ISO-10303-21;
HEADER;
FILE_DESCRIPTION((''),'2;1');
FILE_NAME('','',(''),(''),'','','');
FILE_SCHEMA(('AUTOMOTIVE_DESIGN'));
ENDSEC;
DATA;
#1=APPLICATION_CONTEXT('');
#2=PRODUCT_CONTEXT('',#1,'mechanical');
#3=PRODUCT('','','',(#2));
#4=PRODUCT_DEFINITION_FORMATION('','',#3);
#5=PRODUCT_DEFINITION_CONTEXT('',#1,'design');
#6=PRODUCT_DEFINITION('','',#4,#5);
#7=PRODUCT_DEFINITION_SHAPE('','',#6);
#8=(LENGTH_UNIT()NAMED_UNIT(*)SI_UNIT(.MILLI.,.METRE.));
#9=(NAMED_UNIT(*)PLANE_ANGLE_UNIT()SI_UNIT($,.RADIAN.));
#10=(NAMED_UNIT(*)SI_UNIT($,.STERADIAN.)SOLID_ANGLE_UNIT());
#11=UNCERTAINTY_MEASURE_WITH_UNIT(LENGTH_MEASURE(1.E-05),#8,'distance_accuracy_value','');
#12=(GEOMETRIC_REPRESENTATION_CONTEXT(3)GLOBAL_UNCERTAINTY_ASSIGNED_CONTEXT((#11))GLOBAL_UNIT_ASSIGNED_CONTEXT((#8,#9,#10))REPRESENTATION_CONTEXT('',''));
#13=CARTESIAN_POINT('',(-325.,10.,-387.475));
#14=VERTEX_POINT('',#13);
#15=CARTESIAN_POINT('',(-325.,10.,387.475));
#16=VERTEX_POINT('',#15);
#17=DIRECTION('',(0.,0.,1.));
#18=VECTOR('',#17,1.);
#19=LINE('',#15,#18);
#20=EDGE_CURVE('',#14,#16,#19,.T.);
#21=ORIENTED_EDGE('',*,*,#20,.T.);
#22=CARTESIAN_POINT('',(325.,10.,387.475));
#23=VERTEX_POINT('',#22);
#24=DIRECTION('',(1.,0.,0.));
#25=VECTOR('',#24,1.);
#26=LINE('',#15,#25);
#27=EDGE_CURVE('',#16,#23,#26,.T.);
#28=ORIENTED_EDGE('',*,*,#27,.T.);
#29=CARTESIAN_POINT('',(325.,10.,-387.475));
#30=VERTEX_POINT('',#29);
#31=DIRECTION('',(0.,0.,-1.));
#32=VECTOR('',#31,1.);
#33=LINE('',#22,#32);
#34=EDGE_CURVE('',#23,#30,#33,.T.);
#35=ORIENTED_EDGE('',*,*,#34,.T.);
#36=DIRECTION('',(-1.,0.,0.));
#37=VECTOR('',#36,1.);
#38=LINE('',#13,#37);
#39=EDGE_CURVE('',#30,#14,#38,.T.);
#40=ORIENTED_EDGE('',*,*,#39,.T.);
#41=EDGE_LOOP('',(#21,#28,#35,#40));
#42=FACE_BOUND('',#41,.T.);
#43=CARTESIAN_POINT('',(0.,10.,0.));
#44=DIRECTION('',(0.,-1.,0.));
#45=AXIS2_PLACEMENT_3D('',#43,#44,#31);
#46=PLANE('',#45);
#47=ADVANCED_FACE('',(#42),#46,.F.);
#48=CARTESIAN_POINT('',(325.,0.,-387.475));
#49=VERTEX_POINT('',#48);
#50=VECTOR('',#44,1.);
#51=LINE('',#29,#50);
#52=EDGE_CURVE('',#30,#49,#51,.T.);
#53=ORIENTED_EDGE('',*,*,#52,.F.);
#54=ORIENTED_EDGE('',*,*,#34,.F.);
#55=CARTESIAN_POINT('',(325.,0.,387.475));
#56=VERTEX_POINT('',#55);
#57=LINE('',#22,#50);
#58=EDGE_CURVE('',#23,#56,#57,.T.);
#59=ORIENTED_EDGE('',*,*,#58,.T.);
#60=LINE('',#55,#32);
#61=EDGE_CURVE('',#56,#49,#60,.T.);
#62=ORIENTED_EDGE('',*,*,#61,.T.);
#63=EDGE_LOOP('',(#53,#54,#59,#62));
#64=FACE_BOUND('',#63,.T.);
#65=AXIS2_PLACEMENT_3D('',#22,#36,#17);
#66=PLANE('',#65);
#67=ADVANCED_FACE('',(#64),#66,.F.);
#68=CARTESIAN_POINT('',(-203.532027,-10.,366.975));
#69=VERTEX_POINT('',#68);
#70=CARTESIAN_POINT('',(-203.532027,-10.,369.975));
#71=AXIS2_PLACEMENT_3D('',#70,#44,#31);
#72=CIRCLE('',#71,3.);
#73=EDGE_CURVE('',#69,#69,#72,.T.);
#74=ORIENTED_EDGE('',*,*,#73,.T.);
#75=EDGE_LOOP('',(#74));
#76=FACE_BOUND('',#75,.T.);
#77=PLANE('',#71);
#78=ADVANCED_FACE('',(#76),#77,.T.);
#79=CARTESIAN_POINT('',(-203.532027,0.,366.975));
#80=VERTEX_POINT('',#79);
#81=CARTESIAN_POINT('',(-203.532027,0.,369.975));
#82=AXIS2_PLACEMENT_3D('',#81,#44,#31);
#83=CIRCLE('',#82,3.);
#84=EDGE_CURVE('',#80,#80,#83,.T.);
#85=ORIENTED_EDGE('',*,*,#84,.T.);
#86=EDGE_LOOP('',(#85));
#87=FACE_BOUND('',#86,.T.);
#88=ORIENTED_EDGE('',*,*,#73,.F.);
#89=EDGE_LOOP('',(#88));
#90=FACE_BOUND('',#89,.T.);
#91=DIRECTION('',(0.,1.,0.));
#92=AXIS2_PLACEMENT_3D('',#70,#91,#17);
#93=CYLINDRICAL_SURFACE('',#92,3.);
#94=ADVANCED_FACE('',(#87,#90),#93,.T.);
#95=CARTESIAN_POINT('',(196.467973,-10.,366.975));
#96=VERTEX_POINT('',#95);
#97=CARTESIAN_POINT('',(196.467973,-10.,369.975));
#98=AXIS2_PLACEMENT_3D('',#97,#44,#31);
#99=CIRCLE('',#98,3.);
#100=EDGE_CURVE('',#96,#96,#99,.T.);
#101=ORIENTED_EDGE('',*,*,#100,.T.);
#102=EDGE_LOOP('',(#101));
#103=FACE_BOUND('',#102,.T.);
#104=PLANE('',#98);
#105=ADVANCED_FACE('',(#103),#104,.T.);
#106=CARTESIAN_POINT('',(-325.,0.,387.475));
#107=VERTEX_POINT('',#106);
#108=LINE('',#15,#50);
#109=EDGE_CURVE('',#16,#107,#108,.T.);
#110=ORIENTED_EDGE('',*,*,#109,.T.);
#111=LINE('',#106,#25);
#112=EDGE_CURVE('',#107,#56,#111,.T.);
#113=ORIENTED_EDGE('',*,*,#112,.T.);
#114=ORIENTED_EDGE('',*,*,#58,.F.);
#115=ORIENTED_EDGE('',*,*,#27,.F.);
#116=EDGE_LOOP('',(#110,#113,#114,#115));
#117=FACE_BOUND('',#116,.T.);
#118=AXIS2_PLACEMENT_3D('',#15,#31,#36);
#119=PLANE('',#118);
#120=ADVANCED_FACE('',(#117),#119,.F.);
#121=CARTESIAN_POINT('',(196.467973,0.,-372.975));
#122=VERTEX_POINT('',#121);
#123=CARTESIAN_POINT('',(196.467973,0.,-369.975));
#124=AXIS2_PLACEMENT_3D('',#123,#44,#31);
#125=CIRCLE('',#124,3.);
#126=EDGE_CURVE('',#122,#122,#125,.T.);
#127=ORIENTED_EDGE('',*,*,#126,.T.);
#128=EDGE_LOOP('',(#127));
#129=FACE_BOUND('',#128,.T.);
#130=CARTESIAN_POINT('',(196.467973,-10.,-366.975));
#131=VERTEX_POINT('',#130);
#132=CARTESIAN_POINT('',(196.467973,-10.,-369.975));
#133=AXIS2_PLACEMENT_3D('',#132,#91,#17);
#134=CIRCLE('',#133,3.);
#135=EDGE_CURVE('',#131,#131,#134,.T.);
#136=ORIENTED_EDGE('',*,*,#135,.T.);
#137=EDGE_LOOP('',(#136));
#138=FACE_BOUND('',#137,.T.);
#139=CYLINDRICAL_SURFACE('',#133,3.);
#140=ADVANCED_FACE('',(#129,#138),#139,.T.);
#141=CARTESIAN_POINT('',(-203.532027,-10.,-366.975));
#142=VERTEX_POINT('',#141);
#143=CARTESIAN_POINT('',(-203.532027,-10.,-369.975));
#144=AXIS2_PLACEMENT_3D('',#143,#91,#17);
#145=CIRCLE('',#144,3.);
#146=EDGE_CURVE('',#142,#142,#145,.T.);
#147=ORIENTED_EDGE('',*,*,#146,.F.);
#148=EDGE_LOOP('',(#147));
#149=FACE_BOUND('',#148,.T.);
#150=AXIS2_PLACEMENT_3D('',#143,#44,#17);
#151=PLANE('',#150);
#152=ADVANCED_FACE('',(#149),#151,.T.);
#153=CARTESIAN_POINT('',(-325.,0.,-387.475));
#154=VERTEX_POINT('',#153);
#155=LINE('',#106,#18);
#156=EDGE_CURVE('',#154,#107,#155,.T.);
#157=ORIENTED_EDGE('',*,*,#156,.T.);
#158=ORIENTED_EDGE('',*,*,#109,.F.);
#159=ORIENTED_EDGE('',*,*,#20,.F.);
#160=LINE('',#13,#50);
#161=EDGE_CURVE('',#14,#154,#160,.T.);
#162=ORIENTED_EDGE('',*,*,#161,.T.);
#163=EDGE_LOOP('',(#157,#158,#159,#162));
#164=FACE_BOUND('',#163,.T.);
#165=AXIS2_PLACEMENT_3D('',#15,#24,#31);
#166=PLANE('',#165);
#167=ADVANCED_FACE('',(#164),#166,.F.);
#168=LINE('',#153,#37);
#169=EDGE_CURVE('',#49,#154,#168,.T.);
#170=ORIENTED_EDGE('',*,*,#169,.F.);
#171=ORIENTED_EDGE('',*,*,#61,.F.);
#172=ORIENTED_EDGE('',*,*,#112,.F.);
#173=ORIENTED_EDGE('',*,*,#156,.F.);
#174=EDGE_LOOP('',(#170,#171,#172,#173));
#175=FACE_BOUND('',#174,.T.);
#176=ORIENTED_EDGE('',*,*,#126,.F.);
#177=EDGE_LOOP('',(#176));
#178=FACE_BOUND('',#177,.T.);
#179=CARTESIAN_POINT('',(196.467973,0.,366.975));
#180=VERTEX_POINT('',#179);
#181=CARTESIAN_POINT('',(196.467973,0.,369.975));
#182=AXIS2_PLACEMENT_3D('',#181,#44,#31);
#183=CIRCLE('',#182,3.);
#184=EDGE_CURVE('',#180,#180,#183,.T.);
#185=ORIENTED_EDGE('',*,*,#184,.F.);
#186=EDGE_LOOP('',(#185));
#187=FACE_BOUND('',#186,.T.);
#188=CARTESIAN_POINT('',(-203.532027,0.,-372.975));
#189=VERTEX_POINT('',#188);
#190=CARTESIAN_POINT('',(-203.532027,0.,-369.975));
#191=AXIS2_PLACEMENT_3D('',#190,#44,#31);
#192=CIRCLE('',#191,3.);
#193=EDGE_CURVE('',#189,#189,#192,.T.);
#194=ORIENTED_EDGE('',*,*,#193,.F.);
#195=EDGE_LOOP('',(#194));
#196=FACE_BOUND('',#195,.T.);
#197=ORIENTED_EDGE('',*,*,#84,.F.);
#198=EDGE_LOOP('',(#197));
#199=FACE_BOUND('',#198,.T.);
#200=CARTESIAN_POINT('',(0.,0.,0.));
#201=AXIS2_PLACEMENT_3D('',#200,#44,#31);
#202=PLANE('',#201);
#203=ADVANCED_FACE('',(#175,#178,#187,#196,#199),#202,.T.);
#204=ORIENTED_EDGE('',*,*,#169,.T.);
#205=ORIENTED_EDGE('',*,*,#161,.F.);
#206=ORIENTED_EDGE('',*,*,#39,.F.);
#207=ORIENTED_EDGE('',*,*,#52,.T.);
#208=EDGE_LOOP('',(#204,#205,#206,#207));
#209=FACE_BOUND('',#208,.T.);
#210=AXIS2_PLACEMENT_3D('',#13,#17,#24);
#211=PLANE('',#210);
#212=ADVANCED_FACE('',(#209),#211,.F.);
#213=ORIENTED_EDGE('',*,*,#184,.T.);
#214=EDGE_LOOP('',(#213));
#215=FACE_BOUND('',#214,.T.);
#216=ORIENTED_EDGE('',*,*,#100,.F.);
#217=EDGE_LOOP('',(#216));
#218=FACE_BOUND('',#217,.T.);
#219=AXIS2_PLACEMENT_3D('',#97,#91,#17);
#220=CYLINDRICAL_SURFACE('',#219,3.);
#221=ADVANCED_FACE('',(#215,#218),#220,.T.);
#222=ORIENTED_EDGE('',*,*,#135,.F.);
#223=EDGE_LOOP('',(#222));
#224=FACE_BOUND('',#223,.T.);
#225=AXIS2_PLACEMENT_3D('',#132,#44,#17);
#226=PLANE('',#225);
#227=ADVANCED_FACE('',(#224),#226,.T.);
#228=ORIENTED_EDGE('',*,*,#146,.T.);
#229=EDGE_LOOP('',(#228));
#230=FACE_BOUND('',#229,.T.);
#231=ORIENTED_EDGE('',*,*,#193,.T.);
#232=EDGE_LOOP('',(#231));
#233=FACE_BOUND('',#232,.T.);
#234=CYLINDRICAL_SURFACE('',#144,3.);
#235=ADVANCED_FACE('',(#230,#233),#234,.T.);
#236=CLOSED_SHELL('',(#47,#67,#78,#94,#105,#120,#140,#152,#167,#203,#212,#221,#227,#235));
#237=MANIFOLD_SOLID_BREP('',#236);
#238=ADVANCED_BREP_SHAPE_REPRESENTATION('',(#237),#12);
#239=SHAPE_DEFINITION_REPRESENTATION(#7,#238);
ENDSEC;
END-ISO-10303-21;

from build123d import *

# Parameters (mm, degrees)
SKETCH1_W           = 650
SKETCH1_H           = 774.95
BOSS_EXTRUDE1_DEPTH = 10
SKETCH2_R           = 3
BOSS_EXTRUDE2_DEPTH = 10


with BuildPart() as part:
    # Sketch1 → Boss-Extrude1 (new body)
    with BuildSketch(Plane(origin=(0, 0, 0), x_dir=(1, 0, 0), z_dir=(0, 1, 0))):
        Rectangle(SKETCH1_W, SKETCH1_H)
    extrude(amount=BOSS_EXTRUDE1_DEPTH)

    # Sketch2 → Boss-Extrude2 (add)
    with BuildSketch(Plane.XZ):
        with Locations(Location((-203.532027454, 369.975, 0), (0, 0, 270))):
            Circle(SKETCH2_R)
        with Locations(Location((196.467972546, 369.975, 0), (0, 0, 270))):
            Circle(SKETCH2_R)
    boss_extrude2 = extrude(amount=BOSS_EXTRUDE2_DEPTH)

    # Mirror1: Boss-Extrude2 across plane
    add(boss_extrude2.mirror(Plane.XY))


solid = part.part
